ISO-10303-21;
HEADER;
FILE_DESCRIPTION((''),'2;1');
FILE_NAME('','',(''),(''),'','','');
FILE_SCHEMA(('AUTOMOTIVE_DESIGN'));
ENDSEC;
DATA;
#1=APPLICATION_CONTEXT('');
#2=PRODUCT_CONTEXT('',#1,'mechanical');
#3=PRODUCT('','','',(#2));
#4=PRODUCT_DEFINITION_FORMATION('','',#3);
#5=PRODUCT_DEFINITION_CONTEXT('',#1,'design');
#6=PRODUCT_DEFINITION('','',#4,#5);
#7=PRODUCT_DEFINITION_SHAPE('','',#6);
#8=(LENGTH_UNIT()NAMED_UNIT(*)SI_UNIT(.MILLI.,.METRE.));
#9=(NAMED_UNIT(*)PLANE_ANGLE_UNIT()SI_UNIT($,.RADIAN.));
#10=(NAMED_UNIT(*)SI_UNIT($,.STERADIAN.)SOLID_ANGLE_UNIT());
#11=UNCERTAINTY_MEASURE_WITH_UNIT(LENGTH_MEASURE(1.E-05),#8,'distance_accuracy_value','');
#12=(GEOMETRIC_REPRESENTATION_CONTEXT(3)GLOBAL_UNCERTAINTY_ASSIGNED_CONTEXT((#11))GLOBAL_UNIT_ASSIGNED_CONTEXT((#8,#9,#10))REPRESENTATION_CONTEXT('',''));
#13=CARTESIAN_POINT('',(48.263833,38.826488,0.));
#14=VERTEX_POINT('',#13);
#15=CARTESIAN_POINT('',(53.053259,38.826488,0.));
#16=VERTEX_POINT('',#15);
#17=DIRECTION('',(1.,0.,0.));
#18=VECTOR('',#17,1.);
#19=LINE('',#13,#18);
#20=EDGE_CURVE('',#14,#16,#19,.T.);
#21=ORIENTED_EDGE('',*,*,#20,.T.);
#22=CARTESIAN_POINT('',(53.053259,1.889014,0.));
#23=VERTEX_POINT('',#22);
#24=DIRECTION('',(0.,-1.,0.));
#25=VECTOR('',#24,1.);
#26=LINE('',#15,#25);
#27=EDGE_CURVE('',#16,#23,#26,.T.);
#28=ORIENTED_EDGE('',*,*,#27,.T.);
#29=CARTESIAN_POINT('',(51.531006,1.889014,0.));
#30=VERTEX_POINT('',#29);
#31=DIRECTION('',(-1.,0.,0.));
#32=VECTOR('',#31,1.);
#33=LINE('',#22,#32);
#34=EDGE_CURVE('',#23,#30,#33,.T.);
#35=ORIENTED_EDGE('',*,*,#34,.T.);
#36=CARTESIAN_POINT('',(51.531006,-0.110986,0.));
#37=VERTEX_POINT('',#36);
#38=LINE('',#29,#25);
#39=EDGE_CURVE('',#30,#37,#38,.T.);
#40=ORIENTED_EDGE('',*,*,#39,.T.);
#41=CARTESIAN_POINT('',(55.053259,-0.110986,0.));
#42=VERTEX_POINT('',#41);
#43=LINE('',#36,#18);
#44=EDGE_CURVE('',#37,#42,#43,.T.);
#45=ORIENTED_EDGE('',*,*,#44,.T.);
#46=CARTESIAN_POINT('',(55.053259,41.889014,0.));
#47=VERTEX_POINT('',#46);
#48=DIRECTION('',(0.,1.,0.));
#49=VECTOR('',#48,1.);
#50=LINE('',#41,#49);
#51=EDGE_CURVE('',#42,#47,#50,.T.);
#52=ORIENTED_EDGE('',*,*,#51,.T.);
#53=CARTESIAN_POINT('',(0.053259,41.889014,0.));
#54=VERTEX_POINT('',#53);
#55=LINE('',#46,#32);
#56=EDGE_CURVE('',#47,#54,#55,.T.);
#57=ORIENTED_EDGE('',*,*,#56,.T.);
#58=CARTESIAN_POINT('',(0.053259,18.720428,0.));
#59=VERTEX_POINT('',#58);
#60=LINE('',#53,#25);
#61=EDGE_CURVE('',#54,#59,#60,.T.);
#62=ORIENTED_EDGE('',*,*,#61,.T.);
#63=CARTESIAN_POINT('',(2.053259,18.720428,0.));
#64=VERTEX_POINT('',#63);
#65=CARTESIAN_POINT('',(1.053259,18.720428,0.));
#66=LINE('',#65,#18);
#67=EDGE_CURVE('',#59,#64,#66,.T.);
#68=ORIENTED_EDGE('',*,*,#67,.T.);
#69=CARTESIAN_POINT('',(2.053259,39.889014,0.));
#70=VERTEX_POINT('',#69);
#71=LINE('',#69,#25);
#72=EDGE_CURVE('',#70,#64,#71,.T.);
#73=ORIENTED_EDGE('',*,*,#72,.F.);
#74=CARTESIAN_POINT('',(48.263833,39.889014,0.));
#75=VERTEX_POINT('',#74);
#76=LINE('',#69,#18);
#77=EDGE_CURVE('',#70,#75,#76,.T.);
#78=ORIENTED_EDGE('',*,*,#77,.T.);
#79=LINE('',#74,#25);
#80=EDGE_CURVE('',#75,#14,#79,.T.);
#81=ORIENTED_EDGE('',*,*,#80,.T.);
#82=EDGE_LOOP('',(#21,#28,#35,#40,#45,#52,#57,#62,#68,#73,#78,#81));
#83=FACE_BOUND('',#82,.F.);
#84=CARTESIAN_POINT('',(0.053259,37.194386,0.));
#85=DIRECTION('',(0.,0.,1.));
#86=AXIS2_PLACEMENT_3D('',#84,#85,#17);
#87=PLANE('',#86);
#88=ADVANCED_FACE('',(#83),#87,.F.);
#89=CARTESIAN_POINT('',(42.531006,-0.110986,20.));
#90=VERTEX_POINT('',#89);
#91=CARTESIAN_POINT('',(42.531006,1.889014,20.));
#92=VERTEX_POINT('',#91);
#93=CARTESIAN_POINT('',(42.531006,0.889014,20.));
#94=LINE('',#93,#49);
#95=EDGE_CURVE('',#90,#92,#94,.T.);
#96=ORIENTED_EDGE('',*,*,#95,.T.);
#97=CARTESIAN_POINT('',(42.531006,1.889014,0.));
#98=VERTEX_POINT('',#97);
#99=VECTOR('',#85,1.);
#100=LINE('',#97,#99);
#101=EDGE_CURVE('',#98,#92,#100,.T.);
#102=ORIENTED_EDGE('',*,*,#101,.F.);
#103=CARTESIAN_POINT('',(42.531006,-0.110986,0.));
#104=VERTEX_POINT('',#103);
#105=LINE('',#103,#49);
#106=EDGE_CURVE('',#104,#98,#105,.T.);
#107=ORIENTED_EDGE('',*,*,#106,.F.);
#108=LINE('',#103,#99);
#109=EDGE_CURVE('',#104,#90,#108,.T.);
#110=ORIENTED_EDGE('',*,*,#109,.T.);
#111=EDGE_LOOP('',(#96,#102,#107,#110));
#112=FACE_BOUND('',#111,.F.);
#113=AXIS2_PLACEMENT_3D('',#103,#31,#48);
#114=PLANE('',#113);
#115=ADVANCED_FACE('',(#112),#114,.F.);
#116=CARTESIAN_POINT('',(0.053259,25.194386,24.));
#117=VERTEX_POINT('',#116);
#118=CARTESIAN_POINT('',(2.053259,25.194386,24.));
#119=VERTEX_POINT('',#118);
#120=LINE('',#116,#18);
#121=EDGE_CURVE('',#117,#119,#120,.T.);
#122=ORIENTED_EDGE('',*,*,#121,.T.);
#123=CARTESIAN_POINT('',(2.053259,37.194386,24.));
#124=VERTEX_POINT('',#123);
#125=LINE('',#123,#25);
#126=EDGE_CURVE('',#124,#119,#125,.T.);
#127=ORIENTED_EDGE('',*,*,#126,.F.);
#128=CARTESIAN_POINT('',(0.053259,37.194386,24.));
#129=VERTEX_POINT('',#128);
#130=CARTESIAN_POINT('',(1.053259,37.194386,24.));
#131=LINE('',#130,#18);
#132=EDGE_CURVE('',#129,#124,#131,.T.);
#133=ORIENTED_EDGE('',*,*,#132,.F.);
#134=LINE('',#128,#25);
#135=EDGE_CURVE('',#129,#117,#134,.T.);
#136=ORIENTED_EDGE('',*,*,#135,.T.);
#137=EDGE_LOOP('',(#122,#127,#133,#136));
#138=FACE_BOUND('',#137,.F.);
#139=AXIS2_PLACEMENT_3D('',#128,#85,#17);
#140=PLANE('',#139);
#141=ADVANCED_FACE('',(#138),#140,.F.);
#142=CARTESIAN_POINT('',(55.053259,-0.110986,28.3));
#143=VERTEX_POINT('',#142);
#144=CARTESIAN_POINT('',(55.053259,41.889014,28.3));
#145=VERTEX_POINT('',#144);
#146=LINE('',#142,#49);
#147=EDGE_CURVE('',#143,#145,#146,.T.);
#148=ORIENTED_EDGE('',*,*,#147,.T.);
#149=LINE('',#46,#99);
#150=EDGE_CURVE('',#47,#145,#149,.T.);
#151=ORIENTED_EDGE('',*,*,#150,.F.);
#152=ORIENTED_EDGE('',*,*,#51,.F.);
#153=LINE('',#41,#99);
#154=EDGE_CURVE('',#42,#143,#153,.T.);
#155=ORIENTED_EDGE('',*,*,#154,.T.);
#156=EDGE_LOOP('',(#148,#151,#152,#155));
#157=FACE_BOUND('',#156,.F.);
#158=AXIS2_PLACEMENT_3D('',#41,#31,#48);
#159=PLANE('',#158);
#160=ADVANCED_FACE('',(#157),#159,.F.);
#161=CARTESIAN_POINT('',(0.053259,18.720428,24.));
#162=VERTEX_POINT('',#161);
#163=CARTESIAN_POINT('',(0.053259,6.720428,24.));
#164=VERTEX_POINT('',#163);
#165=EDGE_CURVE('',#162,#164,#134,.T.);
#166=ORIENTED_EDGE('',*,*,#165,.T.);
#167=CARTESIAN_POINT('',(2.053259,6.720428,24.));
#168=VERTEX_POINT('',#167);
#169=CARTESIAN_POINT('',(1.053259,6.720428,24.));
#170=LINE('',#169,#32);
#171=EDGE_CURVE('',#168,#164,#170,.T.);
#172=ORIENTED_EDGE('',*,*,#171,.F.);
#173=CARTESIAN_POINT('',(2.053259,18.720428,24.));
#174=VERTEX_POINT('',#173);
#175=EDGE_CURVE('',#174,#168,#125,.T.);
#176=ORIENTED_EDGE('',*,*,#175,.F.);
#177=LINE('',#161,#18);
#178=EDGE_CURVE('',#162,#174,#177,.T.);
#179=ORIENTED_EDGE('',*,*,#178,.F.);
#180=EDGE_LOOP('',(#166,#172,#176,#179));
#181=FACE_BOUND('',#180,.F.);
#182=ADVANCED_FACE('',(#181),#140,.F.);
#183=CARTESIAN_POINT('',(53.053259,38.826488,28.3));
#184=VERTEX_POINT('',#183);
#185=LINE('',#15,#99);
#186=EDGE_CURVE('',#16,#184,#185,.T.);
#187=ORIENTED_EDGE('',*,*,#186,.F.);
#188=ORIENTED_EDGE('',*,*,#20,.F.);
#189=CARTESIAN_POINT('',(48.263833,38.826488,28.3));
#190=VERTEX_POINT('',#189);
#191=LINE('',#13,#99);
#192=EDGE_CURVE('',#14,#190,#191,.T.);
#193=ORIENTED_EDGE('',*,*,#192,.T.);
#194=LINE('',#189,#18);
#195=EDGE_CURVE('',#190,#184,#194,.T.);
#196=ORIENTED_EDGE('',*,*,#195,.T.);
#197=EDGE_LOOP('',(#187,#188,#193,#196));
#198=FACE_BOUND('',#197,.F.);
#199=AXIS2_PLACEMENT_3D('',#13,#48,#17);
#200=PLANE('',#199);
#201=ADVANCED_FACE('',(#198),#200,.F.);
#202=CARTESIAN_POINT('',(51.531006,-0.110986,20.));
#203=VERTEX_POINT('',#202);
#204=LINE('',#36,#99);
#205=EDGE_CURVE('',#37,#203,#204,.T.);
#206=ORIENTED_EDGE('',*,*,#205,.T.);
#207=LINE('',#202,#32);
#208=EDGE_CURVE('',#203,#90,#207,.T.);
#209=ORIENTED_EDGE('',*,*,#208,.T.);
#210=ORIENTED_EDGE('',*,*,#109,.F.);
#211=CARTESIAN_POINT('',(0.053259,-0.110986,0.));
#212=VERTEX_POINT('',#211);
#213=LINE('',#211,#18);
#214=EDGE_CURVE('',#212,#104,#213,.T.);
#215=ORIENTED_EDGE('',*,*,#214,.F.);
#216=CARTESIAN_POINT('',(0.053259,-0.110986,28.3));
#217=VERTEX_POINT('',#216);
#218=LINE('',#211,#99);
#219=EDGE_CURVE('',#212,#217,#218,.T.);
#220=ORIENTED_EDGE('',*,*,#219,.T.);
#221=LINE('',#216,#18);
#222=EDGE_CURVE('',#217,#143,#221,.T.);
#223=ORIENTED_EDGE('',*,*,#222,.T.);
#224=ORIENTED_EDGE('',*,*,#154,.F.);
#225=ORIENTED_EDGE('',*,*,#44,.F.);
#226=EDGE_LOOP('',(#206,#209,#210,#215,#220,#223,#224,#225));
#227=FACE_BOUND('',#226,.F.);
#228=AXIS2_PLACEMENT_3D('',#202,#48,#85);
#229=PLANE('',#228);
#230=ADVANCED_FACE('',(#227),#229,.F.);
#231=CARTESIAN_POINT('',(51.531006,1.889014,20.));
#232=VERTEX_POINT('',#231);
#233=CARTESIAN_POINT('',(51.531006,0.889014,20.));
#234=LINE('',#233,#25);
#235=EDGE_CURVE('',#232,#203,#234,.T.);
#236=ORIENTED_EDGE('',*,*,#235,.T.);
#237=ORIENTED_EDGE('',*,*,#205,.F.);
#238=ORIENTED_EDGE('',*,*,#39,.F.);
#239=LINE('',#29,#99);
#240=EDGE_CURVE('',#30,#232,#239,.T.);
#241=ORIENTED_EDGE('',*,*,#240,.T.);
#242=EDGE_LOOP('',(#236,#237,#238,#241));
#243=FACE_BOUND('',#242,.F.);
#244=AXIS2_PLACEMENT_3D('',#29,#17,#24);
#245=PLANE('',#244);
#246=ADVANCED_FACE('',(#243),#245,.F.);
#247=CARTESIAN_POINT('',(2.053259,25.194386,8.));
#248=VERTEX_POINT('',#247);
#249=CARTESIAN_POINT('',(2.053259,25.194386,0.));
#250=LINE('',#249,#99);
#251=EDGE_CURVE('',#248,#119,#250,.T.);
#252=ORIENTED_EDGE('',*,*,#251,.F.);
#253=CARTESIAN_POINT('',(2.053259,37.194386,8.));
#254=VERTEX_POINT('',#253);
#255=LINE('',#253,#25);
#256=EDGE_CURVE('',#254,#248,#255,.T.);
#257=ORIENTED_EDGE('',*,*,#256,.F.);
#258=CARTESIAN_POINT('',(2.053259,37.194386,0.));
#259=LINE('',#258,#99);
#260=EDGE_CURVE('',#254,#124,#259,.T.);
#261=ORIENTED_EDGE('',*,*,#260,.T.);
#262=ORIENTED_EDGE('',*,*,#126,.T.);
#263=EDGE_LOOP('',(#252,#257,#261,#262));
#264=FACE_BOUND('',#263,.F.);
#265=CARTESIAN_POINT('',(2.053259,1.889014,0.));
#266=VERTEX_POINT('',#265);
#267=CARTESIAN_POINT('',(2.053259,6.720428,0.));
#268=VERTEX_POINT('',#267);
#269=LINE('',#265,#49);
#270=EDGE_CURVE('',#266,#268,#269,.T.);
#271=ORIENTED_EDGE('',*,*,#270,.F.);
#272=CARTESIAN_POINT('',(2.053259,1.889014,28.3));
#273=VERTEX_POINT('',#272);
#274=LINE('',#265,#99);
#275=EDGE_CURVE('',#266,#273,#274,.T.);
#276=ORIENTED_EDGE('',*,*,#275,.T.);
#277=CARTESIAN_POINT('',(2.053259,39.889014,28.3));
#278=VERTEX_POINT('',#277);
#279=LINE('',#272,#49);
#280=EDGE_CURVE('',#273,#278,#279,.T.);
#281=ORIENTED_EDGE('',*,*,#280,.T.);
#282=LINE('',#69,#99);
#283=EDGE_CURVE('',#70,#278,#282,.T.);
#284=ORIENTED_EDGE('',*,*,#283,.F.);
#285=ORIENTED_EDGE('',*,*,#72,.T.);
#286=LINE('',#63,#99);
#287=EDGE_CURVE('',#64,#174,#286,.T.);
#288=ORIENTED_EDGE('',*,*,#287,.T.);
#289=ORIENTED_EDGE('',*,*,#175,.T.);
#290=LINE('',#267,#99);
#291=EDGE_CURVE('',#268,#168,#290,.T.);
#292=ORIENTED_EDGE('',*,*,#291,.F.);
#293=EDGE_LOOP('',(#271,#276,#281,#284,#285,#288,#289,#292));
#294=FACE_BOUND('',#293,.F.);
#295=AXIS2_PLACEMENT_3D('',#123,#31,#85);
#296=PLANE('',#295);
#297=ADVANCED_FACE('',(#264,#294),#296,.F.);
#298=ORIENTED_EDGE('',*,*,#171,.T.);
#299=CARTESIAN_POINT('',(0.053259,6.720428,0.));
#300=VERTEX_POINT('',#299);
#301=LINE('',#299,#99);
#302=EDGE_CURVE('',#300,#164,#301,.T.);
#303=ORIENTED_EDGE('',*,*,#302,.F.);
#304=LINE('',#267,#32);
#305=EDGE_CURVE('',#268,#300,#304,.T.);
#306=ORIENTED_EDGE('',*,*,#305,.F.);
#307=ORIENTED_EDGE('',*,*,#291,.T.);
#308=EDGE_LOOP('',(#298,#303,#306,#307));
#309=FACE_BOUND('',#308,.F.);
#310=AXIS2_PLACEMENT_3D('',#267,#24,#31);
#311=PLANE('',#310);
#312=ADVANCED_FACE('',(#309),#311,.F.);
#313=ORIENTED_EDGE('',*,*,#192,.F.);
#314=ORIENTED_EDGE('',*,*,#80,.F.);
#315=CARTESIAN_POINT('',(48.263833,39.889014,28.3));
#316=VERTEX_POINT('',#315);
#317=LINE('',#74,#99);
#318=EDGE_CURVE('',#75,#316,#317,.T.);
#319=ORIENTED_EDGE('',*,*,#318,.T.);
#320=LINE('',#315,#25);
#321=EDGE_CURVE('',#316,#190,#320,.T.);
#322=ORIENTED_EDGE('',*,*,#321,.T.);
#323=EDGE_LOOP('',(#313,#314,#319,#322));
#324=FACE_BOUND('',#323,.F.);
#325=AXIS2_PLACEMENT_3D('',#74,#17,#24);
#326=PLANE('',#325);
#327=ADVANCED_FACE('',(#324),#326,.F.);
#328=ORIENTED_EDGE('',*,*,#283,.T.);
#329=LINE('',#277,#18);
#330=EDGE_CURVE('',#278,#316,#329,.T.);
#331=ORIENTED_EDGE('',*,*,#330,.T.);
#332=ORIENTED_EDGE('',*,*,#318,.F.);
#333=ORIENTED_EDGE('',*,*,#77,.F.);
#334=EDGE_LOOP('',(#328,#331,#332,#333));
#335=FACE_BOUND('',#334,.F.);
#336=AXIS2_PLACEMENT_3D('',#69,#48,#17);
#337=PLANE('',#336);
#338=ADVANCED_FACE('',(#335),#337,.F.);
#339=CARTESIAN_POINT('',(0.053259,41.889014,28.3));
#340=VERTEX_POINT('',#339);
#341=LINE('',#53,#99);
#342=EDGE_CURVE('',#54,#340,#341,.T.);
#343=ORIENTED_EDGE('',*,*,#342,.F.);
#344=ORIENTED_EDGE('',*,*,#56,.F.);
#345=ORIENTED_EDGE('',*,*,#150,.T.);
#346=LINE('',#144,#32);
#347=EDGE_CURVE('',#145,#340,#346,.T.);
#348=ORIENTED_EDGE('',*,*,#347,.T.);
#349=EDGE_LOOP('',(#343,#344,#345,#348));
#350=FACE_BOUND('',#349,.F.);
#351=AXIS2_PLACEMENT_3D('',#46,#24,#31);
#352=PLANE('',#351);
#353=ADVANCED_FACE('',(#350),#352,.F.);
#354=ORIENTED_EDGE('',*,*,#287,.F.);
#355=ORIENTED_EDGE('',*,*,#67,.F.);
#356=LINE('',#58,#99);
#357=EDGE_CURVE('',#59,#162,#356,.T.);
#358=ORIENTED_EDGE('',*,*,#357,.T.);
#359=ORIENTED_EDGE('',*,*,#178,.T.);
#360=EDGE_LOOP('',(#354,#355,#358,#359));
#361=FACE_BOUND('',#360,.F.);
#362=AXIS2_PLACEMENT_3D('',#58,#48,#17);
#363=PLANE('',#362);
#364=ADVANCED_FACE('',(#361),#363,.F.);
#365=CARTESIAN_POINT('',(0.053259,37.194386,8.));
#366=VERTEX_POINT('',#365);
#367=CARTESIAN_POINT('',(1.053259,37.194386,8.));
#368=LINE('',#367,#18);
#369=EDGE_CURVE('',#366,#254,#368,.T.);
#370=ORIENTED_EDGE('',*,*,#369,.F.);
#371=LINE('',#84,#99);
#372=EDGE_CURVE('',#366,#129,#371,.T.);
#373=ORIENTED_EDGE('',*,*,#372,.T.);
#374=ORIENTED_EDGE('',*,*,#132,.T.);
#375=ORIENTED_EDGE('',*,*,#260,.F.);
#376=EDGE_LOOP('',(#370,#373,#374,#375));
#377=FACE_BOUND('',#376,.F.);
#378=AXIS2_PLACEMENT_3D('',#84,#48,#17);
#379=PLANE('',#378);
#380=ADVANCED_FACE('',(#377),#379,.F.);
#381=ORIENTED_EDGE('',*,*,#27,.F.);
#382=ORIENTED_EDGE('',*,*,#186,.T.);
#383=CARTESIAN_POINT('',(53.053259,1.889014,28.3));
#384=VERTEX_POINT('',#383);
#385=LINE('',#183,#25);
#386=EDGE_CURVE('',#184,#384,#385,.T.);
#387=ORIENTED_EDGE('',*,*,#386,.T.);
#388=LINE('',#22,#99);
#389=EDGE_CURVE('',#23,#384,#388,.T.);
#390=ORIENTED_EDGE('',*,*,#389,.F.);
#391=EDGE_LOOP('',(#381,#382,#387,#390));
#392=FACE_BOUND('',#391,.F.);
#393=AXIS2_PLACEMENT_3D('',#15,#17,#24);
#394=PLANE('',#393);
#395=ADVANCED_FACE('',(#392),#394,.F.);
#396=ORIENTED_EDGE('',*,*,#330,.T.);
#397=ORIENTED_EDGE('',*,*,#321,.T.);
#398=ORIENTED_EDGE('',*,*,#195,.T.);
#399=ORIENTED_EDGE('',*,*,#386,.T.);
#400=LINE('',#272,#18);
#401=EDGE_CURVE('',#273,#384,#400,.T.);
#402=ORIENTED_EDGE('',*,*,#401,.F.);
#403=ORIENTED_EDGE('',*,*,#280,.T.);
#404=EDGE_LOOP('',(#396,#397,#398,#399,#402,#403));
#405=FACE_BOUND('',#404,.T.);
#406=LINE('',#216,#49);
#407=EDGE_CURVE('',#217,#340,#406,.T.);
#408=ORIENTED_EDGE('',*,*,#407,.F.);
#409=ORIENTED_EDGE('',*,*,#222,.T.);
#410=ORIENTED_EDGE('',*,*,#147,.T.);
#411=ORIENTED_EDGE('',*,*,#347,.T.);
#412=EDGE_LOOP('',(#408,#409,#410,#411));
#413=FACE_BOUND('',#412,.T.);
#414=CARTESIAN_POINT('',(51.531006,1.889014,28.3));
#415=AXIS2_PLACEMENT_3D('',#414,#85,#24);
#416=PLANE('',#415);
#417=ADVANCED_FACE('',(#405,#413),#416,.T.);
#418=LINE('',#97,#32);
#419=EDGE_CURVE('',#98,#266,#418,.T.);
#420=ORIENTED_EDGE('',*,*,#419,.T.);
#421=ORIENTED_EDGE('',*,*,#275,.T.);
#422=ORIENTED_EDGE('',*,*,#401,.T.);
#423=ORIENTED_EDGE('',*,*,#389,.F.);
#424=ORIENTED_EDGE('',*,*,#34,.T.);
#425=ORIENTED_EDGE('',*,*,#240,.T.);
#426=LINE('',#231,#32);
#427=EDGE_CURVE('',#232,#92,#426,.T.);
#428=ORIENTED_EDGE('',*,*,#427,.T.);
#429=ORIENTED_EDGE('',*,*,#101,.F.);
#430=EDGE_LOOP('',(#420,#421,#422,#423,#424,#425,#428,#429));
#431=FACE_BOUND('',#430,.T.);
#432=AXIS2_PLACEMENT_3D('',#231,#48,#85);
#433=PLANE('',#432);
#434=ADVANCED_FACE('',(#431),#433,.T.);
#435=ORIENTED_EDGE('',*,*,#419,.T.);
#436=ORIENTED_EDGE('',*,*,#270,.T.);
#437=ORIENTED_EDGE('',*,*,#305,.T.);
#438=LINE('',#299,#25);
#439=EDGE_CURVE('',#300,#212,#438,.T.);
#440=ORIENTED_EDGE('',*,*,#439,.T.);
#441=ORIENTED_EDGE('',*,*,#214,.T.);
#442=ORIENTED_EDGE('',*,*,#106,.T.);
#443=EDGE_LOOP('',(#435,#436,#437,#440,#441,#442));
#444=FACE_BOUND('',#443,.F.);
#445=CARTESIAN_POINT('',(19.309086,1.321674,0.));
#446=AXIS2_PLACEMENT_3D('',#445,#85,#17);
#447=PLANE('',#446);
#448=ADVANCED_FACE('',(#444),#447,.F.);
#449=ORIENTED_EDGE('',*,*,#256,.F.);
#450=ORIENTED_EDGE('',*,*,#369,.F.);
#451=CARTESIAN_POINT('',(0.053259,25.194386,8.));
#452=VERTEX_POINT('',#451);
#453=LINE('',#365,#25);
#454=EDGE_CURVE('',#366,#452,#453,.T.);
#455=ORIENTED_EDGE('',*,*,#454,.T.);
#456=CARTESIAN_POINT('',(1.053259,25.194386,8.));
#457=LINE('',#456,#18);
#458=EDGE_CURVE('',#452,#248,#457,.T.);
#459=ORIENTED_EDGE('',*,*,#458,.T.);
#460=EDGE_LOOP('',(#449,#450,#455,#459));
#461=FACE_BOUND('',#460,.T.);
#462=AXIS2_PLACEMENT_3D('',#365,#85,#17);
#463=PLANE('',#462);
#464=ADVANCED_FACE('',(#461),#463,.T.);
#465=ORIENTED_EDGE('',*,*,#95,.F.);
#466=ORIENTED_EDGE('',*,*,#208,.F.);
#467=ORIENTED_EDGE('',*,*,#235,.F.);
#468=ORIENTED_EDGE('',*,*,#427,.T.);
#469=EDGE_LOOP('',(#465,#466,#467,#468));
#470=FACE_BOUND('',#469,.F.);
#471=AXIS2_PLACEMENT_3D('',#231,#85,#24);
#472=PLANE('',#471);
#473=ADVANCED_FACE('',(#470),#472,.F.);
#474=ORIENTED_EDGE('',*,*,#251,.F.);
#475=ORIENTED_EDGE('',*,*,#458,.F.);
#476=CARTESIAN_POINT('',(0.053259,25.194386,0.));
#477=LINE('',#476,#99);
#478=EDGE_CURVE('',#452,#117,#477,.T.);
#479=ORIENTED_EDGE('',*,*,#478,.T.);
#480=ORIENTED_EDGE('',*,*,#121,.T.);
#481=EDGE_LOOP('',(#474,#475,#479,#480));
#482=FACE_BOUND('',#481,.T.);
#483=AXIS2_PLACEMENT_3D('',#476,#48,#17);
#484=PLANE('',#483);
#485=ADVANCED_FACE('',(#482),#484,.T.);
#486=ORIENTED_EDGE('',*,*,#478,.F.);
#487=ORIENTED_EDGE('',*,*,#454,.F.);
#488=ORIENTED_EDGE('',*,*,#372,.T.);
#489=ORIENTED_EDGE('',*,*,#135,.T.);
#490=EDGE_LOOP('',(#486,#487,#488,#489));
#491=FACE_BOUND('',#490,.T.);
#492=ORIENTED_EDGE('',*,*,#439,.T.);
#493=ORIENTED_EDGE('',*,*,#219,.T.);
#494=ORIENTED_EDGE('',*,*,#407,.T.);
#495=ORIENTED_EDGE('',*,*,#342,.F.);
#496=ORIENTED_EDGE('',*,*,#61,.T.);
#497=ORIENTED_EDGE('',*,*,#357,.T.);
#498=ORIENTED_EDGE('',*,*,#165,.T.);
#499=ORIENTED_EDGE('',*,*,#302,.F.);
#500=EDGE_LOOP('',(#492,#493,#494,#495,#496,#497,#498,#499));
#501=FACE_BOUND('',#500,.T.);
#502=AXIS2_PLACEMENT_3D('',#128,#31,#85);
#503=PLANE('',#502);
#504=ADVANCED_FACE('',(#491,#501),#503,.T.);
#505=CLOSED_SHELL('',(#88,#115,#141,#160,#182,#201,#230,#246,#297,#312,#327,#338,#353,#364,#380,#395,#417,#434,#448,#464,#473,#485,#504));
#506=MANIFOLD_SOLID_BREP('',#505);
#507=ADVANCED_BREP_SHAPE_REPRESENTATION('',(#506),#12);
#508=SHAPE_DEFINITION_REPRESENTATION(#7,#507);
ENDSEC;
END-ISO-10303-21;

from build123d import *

# Parameters (mm, degrees)
F0_W     = 2
F0_H     = 6.473958
F1_DEPTH = 28.3
F2_W     = 2
F2_H     = 8
F3_DEPTH = 12
F4_W     = 2
F4_H     = 4.3
F5_DEPTH = 35
F6_W     = 2
F6_H     = 8.3
F7_DEPTH = 25


with BuildPart() as f1:
    # F0 (on Top) → F1 (new body)
    with BuildSketch(Plane.XY):
        Polygon((55.053259, 41.889014), (0.053259, 41.889014), (0.053259, 37.194386), (2.053259, 37.194386), (2.053259, 39.889014), (48.263833, 39.889014), (48.263833, 38.826488), (53.053259, 38.826488), (53.053259, 1.889014), (51.531006, 1.889014), (51.531006, -0.110986), (55.053259, -0.110986), align=None)
        Polygon((0.053259, 6.720428), (0.053259, -0.110986), (42.531006, -0.110986), (42.531006, 1.889014), (2.053259, 1.889014), (2.053259, 6.720428), align=None)
        with Locations((1.053259, 21.957407)):
            Rectangle(F0_W, F0_H)
    extrude(amount=F1_DEPTH)

    # F2 (on face) → F3 (join)
    with BuildSketch(Plane.XZ.offset(-37.194386)):
        with Locations((1.053259, 4)):
            Rectangle(F2_W, F2_H)
    extrude(amount=F3_DEPTH)

    # F4 (on face) → F5 (join)
    with BuildSketch(Plane.XZ.offset(-37.194386)):
        with Locations((1.053259, 26.15)):
            Rectangle(F4_W, F4_H)
    extrude(amount=F5_DEPTH)

    # F6 (on face) → F7 (join)
    with BuildSketch(Plane(origin=(51.531006, 0, 0), x_dir=(0, -1, 0), z_dir=(-1, 0, 0))):
        with Locations((-0.889014, 24.15)):
            Rectangle(F6_W, F6_H)
    extrude(amount=F7_DEPTH)


solid = f1.part
